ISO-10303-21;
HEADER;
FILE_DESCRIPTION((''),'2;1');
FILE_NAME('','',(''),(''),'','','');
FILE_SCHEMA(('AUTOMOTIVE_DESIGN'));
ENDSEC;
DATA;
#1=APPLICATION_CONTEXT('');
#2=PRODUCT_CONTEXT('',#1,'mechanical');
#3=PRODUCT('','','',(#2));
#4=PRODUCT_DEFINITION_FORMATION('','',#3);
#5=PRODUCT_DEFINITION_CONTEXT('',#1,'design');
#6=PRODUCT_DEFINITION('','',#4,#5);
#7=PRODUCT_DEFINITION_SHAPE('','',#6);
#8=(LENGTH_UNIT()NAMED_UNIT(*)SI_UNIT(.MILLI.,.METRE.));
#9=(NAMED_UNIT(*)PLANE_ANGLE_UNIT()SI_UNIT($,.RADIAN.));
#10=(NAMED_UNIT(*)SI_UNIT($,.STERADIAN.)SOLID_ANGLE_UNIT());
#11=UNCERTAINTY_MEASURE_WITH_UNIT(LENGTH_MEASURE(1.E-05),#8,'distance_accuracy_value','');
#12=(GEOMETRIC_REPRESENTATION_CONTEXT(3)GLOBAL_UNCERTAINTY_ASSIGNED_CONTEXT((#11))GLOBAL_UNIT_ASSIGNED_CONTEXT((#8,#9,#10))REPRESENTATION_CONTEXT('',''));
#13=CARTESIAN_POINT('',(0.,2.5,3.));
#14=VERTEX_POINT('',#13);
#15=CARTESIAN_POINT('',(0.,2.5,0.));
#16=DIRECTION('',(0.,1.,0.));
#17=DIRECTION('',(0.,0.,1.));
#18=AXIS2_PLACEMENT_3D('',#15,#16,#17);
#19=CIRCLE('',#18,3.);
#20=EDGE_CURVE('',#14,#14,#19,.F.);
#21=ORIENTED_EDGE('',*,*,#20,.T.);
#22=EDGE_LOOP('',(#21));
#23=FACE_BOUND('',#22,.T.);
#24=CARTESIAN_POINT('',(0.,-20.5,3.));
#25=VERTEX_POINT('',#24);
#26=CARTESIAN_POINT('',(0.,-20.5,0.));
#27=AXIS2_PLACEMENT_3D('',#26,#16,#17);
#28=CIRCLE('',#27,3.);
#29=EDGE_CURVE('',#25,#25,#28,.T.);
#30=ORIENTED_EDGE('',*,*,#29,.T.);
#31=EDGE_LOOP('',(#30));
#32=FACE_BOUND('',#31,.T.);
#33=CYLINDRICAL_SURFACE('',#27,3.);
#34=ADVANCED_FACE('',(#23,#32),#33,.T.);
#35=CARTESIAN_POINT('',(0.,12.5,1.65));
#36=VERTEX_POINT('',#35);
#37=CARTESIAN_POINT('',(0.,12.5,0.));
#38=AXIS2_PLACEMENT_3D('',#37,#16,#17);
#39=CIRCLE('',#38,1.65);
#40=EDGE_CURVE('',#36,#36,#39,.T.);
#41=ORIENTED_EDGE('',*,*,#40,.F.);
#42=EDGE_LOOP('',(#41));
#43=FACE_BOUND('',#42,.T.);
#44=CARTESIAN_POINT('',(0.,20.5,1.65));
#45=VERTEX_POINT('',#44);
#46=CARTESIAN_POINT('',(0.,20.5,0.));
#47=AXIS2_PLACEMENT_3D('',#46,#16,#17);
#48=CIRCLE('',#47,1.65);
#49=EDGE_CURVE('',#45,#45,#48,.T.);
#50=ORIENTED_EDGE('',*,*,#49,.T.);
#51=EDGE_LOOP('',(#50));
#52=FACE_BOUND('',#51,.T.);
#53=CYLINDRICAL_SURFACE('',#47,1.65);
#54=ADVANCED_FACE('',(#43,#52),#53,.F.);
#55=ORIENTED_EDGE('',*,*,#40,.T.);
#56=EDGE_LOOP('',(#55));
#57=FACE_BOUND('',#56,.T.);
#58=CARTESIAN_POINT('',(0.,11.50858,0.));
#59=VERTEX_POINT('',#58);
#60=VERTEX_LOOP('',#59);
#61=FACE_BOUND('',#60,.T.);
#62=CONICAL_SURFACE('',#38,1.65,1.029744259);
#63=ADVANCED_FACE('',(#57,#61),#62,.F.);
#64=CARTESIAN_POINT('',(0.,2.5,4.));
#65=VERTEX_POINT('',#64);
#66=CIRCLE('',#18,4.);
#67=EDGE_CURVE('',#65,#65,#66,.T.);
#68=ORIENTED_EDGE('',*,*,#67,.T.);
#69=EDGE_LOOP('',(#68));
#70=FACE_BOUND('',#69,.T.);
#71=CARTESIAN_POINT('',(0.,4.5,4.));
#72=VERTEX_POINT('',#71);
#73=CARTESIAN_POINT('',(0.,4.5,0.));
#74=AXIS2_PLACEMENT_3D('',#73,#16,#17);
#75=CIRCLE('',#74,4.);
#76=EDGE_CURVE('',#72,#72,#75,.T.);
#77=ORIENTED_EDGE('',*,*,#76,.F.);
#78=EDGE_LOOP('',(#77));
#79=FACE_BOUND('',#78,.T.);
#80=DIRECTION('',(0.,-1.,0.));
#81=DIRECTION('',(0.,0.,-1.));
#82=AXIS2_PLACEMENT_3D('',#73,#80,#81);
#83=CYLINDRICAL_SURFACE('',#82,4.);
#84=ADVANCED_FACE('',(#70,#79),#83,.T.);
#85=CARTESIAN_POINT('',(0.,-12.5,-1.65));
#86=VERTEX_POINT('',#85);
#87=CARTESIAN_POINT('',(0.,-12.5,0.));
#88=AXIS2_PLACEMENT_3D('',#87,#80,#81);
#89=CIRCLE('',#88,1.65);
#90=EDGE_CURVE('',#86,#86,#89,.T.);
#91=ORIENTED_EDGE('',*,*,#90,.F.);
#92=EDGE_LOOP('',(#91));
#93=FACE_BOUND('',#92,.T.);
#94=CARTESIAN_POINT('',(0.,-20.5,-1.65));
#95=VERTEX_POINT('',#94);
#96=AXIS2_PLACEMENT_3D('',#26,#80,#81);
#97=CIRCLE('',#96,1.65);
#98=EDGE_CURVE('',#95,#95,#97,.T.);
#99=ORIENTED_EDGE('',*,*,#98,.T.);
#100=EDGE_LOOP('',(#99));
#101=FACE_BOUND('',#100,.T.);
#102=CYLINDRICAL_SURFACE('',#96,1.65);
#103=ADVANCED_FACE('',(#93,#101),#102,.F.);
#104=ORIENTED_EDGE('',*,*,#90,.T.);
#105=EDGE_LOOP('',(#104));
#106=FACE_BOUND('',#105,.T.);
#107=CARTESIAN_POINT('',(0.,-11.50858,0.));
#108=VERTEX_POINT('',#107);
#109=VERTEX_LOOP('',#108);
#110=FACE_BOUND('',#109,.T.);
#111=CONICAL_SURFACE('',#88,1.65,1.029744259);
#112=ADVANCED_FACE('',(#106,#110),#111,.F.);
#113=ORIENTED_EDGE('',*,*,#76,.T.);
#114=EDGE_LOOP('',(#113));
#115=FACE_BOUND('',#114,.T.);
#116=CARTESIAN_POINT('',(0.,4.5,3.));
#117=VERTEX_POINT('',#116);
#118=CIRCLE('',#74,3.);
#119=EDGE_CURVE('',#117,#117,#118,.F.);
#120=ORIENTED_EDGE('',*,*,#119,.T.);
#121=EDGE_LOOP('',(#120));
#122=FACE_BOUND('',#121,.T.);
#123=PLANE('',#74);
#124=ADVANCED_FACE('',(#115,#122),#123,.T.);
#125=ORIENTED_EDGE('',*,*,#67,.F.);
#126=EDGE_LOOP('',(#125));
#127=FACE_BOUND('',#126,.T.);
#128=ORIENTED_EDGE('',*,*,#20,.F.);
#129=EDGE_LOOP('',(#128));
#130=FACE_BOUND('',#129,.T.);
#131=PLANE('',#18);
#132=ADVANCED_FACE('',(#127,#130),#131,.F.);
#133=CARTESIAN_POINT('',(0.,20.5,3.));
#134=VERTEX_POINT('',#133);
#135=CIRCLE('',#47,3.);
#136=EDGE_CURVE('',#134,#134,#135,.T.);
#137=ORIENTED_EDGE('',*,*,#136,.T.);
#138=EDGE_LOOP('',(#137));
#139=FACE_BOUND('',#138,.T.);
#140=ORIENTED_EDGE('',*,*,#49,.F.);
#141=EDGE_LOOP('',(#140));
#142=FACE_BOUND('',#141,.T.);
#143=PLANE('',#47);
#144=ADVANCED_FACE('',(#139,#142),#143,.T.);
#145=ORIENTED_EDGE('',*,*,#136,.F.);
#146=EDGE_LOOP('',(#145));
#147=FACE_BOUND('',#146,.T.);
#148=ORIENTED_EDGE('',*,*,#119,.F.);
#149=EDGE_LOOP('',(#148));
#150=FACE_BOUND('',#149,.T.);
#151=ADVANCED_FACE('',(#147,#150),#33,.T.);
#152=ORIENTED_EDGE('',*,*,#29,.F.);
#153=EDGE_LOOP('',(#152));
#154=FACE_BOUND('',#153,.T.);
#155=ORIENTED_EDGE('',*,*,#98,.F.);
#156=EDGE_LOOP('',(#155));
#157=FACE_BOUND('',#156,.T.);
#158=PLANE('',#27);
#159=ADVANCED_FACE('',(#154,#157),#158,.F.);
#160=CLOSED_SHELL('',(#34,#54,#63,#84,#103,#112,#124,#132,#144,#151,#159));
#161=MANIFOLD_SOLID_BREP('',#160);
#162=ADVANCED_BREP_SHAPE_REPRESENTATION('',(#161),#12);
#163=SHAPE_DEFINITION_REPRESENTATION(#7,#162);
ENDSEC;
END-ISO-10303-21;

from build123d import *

# Parameters (mm, degrees)
BOSS_EXTRUDE1_DEPTH      = 20.5
BOSS_EXTRUDE1_DEPTH_BACK = 20.5
SKETCH1_R                = 3
SKETCH6_R                = 4
BOSS_EXTRUDE2_DEPTH      = 2


with BuildPart() as part:
    # Sketch1 → Boss-Extrude1 (new, two sides: drawn at the far end of the back side and taken through both)
    with BuildSketch(Plane(origin=(0, 0, 0), x_dir=(1, 0, 0), z_dir=(0, 1, 0)).offset(-BOSS_EXTRUDE1_DEPTH_BACK)):
        Circle(SKETCH1_R)
    extrude(amount=BOSS_EXTRUDE1_DEPTH + BOSS_EXTRUDE1_DEPTH_BACK)

    # Sketch5 → M4x0.7 Tapped Hole1 (revolve, cut)
    with BuildSketch(Plane(origin=(0, 20.5, 0), x_dir=(0, 0, 1), z_dir=(1, 0, 0))):
        Polygon((0, 0), (0, 8.991420021), (1.65, 8), (1.65, 0), align=None)
    m4x0_7_tapped_hole1 = revolve(axis=Axis((0, 26.85, 0), (0, -1, 0)), mode=Mode.SUBTRACT)

    # Sketch6 → Boss-Extrude2 (add)
    with BuildSketch(Plane(origin=(0, 2.5, 0), x_dir=(1, 0, 0), z_dir=(0, 1, 0))):
        Circle(SKETCH6_R)
    extrude(amount=BOSS_EXTRUDE2_DEPTH)

    # Mirror1: M4x0.7 Tapped Hole1 across plane
    add(m4x0_7_tapped_hole1.mirror(Plane.ZX), mode=Mode.SUBTRACT)


solid = part.part
